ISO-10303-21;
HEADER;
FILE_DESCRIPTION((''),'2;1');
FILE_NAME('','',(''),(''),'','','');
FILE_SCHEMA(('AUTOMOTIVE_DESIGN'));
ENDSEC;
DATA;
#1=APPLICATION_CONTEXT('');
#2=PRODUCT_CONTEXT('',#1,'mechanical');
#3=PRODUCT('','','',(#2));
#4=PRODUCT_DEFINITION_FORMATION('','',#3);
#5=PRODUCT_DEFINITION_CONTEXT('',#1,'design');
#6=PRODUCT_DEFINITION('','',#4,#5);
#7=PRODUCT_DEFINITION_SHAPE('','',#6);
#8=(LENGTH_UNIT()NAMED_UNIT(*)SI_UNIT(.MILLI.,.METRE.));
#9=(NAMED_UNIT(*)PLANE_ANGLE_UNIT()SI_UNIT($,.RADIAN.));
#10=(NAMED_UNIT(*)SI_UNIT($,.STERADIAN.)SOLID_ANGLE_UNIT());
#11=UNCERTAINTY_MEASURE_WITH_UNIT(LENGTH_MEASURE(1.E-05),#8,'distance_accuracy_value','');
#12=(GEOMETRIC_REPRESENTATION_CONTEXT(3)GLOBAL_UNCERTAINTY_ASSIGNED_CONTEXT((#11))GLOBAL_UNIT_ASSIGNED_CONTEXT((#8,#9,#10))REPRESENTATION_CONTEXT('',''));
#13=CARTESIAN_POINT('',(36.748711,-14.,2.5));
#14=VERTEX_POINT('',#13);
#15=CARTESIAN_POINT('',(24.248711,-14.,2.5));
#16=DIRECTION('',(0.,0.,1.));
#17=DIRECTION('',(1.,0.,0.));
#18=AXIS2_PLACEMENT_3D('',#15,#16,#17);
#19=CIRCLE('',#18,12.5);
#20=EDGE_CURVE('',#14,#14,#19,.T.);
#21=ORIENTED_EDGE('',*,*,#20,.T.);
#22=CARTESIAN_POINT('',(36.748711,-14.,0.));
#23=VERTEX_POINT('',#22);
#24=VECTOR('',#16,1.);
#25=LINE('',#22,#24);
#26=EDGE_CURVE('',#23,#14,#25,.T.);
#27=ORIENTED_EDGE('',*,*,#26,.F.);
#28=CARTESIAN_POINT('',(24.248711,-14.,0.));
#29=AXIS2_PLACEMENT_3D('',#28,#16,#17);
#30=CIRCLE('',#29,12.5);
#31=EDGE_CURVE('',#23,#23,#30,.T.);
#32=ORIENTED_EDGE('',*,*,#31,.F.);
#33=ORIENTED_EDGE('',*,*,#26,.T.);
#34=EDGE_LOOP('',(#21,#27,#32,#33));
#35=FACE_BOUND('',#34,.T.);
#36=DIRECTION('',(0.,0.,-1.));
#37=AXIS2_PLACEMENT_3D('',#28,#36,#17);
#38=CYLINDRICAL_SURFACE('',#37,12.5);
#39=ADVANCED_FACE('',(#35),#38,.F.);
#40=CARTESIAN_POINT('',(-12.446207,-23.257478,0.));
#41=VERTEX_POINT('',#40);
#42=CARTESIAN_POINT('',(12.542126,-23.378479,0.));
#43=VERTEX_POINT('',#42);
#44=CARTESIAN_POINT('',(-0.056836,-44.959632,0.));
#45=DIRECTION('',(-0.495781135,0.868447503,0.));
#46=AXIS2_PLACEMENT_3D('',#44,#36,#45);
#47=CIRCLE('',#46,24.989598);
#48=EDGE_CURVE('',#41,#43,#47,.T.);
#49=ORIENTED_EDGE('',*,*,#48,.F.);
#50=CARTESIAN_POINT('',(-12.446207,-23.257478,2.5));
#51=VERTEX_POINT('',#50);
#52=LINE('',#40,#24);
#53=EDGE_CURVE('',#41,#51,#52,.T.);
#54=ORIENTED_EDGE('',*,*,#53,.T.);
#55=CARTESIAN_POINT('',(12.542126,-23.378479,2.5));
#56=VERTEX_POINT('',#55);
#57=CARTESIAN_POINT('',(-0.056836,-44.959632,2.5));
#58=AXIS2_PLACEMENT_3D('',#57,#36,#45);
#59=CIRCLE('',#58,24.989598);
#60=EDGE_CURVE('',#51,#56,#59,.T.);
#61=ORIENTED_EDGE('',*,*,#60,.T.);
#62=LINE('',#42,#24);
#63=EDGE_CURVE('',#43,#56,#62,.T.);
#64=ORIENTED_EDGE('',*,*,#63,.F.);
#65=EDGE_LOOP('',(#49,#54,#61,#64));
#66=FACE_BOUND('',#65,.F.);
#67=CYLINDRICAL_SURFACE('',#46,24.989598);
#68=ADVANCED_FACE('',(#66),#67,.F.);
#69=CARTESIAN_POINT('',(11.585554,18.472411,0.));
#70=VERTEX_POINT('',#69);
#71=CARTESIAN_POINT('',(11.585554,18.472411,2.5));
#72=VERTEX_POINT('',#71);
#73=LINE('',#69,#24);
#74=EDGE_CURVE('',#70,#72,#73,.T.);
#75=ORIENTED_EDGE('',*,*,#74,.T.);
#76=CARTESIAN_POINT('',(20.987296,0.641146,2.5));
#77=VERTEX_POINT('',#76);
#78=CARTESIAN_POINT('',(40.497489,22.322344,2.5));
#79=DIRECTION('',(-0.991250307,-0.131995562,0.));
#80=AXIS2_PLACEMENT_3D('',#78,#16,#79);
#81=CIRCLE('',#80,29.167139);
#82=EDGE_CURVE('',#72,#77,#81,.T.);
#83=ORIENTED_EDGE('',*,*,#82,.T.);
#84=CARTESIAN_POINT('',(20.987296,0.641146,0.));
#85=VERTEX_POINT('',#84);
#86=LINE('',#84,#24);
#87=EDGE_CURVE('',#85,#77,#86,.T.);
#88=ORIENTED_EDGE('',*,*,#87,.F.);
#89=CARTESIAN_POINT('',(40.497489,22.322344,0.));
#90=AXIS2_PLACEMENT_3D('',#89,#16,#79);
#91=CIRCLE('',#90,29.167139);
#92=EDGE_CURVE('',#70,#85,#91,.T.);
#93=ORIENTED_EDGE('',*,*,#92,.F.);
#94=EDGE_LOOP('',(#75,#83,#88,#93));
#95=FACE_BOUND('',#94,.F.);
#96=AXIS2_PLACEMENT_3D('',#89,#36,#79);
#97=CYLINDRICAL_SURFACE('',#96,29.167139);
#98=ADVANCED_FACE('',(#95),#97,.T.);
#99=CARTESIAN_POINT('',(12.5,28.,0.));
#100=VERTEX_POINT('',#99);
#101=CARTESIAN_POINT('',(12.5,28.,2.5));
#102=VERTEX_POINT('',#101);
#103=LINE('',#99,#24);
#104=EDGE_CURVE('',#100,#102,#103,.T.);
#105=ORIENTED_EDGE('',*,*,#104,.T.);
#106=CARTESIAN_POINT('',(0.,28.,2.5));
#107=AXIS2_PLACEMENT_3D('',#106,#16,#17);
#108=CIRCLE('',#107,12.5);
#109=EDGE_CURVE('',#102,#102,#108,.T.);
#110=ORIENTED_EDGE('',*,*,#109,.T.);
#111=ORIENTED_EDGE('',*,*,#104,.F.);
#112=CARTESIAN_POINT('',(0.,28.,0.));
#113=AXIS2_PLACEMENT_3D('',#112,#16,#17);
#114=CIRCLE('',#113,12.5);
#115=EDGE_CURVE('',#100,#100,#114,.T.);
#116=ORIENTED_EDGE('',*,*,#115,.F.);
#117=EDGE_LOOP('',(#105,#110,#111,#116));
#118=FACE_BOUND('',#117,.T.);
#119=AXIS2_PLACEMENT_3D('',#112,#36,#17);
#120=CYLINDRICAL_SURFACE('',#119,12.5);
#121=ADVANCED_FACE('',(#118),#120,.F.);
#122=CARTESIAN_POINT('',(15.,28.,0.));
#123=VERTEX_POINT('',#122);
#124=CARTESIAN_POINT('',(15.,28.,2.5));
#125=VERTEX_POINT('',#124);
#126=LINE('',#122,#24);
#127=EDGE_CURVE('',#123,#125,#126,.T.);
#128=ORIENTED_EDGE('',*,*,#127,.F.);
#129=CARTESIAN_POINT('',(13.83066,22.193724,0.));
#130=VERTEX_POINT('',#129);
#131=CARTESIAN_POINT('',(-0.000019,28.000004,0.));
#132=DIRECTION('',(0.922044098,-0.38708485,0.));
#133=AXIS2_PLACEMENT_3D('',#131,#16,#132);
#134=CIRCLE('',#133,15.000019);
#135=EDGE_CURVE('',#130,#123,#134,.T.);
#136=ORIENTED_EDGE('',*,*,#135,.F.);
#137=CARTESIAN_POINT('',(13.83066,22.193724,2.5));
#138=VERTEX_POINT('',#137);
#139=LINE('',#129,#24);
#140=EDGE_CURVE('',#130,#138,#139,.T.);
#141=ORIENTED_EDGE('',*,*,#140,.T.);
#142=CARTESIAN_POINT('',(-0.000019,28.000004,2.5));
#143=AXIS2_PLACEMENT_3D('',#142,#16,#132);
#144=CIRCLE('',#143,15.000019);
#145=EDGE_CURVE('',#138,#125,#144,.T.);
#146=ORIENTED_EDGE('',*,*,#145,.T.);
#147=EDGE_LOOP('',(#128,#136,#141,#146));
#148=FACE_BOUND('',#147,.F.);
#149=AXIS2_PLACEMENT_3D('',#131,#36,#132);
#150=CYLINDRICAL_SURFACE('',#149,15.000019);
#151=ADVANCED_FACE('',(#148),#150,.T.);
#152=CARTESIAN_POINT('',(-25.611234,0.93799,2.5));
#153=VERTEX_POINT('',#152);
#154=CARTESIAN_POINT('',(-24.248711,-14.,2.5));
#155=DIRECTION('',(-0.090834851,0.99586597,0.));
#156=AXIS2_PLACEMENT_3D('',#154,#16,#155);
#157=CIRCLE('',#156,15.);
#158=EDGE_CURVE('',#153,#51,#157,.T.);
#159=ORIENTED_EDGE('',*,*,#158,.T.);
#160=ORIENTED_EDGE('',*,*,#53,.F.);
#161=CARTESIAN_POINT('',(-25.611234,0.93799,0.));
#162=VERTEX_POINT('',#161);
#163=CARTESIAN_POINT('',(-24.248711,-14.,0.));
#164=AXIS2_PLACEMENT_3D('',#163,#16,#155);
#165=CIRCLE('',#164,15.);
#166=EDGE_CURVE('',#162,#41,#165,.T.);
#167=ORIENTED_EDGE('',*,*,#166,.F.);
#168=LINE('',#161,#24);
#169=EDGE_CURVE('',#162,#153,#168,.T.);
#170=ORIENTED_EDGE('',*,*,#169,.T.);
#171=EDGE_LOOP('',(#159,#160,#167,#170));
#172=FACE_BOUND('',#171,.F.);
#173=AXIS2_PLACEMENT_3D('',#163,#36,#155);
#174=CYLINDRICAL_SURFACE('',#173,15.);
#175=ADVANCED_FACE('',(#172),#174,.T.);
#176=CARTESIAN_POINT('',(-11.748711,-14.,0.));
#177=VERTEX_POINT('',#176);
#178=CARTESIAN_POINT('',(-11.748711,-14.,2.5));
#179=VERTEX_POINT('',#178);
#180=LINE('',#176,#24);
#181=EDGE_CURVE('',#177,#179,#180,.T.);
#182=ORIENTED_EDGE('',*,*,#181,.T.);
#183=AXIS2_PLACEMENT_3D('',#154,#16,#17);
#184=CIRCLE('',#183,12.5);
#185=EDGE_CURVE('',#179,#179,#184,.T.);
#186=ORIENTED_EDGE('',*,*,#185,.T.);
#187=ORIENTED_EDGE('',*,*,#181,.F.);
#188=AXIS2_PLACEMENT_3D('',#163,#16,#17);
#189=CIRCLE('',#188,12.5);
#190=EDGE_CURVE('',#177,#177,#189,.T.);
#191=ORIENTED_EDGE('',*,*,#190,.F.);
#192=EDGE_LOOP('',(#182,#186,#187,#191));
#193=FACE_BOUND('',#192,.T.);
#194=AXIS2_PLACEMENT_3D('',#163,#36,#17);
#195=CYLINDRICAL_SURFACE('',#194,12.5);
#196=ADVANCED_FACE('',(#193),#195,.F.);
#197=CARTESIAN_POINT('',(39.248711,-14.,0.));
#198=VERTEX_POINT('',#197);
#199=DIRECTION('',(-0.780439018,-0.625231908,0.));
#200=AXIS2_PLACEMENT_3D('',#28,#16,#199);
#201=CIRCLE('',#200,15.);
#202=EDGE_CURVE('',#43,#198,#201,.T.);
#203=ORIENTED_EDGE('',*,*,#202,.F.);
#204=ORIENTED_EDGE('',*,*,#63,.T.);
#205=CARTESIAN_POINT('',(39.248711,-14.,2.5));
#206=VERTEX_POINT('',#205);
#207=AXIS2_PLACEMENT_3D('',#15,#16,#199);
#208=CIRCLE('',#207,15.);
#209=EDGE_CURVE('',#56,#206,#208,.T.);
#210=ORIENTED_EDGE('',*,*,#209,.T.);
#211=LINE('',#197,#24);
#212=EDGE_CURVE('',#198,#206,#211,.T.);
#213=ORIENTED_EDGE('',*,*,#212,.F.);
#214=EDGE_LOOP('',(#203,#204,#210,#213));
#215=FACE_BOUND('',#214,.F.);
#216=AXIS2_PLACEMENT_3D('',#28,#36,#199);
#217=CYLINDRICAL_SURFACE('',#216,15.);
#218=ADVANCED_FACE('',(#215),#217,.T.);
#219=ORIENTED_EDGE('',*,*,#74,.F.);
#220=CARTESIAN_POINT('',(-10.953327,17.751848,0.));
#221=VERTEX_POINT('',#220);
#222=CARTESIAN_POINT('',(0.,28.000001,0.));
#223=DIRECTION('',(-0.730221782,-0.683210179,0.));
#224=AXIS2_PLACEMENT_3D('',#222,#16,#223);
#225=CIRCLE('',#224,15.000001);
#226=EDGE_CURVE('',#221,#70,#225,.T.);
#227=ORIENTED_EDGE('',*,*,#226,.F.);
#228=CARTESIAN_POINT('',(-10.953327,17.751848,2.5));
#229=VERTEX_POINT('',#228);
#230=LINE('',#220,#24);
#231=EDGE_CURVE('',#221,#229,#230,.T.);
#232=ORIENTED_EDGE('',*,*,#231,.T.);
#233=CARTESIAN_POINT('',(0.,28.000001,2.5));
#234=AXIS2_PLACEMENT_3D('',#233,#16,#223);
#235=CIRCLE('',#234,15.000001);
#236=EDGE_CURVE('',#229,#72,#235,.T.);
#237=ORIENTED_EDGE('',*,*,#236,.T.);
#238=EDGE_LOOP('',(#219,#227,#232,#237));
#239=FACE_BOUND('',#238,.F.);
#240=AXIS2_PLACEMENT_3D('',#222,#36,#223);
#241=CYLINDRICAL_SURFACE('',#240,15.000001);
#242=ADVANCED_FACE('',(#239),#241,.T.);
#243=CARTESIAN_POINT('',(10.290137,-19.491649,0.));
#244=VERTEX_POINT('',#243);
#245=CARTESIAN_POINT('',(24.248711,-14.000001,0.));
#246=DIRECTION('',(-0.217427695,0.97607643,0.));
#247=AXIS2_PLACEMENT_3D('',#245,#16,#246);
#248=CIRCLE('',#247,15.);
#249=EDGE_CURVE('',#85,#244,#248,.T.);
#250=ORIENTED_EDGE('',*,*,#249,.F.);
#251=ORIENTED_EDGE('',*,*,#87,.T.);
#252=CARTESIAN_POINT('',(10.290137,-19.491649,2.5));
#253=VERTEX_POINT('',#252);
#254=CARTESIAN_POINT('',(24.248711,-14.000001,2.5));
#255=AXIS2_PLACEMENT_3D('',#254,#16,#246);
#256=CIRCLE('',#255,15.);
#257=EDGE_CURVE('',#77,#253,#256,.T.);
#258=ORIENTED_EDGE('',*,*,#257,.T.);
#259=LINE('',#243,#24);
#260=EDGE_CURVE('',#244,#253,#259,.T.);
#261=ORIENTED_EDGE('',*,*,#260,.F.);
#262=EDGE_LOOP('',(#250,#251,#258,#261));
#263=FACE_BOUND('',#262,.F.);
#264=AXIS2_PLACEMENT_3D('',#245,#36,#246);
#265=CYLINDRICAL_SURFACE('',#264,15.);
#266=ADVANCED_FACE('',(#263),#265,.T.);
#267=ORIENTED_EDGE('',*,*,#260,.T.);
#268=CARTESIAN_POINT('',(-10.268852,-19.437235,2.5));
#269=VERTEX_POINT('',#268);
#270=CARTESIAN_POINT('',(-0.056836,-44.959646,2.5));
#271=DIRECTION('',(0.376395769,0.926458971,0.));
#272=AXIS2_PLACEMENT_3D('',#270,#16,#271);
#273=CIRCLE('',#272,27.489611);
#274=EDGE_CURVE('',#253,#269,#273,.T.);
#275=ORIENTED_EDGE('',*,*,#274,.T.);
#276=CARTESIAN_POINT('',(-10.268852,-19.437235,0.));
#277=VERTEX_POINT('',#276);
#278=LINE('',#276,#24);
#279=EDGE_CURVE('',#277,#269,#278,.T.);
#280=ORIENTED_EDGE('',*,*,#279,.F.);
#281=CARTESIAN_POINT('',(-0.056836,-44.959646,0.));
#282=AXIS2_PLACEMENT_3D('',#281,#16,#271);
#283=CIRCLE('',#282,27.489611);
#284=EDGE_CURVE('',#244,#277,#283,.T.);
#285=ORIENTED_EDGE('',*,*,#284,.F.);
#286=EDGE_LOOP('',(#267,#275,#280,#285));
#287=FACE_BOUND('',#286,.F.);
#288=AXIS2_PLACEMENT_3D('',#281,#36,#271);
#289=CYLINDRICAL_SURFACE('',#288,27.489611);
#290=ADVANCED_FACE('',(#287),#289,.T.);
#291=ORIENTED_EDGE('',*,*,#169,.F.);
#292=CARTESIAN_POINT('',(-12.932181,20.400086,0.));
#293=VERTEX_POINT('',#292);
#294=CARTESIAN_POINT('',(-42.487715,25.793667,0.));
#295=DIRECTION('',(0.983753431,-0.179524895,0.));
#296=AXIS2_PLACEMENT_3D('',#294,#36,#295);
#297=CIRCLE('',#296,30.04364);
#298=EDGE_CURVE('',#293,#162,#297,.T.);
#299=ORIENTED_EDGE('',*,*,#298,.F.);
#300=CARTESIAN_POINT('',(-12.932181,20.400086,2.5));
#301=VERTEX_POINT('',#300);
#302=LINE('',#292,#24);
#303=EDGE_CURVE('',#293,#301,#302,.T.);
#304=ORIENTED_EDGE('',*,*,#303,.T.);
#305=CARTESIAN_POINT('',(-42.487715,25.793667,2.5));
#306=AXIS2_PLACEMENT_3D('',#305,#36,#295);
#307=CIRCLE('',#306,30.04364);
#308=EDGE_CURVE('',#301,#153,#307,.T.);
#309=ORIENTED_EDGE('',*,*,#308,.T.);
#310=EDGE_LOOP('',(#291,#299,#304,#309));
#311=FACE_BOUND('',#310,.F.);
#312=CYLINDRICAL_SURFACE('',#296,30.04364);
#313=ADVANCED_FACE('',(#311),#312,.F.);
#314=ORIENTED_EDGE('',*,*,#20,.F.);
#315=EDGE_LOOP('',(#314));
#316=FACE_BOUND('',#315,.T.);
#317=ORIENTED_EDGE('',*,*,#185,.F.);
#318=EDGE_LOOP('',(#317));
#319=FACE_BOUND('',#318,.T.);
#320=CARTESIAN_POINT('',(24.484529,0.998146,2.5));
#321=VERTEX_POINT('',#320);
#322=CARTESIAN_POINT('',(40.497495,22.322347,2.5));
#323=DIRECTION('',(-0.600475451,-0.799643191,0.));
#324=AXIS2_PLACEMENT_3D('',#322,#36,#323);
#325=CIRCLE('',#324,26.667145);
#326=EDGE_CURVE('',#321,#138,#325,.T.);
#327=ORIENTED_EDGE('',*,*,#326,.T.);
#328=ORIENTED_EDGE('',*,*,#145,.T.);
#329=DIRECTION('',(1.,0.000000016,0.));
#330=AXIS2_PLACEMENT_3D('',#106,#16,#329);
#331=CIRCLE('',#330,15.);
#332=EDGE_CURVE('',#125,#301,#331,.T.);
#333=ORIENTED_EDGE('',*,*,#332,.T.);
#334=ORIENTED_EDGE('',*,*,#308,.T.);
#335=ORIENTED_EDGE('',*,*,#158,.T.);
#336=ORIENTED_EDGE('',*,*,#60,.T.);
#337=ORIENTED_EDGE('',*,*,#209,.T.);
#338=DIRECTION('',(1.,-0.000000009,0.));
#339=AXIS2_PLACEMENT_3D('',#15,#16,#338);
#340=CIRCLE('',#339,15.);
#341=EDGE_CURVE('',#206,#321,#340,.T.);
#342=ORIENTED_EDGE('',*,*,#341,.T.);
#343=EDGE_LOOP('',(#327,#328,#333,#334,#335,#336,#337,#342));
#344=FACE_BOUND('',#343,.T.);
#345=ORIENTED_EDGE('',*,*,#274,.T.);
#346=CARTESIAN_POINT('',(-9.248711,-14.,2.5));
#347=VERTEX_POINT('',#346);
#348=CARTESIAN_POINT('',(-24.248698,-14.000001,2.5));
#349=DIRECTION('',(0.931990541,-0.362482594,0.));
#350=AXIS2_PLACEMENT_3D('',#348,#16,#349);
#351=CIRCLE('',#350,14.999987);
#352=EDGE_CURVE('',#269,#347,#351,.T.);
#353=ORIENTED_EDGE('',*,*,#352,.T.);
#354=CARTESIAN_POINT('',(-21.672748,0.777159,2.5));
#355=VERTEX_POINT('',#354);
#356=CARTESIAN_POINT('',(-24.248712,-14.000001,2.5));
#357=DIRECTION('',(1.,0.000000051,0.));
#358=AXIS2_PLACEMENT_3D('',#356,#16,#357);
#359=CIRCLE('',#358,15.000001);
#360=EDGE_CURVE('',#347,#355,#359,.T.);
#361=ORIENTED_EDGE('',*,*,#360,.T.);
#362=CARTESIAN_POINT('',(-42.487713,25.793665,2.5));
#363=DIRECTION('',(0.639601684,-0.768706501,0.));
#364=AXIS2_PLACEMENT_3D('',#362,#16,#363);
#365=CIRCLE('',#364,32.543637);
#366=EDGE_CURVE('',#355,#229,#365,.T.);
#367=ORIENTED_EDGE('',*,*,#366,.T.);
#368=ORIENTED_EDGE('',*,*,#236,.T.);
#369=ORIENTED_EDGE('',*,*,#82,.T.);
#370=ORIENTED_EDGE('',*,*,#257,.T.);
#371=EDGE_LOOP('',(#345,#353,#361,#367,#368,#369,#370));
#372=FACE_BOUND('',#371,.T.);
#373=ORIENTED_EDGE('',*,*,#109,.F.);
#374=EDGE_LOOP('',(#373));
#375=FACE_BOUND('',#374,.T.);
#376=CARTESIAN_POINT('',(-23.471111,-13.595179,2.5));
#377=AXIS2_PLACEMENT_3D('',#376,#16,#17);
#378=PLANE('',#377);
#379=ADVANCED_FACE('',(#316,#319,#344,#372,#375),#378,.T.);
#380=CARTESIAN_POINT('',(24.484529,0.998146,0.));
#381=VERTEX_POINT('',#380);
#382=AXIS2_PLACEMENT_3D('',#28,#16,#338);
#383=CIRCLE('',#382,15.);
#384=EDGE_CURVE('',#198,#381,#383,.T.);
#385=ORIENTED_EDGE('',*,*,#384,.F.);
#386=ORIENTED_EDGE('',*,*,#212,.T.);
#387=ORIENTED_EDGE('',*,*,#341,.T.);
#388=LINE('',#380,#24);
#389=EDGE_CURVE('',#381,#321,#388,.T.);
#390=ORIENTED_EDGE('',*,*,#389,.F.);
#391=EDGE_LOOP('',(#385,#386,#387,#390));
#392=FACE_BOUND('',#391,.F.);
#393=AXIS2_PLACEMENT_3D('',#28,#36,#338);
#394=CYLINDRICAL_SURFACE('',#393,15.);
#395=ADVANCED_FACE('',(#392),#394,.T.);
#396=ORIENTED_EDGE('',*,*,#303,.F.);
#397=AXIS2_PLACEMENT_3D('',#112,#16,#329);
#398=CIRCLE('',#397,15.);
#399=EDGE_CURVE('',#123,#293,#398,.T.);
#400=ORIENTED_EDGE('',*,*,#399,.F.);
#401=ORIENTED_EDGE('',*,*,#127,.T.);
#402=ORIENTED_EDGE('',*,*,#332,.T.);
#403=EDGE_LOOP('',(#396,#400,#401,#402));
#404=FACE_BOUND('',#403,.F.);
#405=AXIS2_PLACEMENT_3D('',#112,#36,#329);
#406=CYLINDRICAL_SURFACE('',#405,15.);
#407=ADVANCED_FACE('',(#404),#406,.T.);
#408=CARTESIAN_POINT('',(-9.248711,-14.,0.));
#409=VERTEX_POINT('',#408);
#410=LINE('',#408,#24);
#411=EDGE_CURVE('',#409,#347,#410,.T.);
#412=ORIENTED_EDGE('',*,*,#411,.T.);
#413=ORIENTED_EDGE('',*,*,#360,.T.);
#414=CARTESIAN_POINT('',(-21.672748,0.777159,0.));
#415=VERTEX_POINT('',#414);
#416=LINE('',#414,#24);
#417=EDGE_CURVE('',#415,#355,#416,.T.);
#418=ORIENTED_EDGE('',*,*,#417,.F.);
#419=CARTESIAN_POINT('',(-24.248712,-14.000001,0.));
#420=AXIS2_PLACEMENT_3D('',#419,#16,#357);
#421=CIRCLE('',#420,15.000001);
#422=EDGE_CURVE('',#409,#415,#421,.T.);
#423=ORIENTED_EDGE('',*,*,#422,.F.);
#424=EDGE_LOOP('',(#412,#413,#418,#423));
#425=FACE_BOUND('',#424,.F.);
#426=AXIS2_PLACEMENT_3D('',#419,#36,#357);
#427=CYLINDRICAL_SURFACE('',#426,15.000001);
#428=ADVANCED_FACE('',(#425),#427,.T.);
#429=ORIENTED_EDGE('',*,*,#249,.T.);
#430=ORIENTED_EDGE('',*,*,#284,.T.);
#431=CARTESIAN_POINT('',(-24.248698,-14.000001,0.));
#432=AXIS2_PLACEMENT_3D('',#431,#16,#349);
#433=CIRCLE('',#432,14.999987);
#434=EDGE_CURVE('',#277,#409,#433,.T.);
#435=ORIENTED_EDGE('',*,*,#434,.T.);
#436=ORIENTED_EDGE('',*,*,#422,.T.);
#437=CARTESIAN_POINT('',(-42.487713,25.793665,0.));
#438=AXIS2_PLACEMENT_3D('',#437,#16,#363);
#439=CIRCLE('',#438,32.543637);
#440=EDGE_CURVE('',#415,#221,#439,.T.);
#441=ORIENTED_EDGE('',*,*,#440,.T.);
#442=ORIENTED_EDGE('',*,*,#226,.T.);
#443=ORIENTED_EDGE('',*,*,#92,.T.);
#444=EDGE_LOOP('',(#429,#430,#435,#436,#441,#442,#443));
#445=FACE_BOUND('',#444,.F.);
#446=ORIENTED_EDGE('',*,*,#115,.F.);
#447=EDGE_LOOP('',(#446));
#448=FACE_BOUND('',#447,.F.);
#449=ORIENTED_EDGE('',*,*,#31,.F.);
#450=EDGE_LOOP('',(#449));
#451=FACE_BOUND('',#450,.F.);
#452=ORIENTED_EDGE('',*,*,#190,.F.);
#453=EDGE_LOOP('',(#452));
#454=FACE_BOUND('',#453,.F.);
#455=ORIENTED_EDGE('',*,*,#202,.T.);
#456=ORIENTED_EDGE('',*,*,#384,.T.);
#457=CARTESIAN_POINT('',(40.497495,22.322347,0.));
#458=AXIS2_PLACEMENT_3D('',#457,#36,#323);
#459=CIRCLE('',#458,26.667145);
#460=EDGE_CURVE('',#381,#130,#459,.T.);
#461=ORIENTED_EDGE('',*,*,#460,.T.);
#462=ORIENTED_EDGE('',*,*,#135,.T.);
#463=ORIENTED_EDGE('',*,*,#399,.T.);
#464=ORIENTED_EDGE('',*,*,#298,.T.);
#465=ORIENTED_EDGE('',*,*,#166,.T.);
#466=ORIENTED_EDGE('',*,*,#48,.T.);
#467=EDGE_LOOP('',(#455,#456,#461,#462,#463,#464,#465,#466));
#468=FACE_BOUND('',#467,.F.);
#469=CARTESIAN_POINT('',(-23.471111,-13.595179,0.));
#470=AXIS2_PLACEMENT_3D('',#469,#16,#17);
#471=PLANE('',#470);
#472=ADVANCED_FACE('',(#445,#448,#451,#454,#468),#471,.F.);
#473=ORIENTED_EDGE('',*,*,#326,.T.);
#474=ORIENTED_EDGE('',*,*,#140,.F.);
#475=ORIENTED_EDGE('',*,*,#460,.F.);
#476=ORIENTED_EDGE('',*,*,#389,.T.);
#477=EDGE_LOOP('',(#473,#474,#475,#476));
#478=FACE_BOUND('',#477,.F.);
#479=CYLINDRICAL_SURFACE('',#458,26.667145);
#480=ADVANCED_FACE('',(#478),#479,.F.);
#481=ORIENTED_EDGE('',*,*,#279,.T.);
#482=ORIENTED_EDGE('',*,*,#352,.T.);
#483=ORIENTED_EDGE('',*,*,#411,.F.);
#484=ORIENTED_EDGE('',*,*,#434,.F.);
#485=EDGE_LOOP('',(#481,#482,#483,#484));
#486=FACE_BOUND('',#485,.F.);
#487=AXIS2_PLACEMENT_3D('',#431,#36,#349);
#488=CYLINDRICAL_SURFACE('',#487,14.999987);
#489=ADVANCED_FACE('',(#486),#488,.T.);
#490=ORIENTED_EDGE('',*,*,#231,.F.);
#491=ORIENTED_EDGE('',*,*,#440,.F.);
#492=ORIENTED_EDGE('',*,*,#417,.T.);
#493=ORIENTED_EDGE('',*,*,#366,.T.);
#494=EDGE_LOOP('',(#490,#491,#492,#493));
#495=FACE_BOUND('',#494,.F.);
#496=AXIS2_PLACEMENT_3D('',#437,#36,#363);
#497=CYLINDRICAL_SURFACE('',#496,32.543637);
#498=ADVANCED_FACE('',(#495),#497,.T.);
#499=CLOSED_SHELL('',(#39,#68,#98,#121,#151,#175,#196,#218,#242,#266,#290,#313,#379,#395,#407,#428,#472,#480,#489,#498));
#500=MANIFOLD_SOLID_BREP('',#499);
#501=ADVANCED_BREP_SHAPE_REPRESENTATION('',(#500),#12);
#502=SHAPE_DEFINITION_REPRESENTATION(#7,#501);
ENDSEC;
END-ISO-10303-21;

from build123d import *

# Parameters (mm, degrees)
F0_R     = 12.5
F1_DEPTH = 2.5


with BuildPart() as f1:
    # F0 (on Top) → F1 (new body)
    with BuildSketch(Plane.XY):
        with BuildLine():
            ThreePointArc((-10.268852, -19.437235), (-9.505952, -16.766054), (-9.248711, -14))
            ThreePointArc((-9.248711, -14), (-12.767434, -4.347007), (-21.672748, 0.777159))
            ThreePointArc((-21.672748, 0.777159), (-23.636685, 0.987509), (-25.611234, 0.93799))
            ThreePointArc((-25.611234, 0.93799), (-37.424578, -21.169138), (-12.446207, -23.257478))
            ThreePointArc((-12.446207, -23.257478), (-11.216784, -21.427575), (-10.268852, -19.437235))
        make_face()
        with Locations((-24.248711, -14)):
            Circle(F0_R, mode=Mode.SUBTRACT)
        with BuildLine():
            ThreePointArc((-12.932181, 20.400086), (-12.015934, 19.021285), (-10.953327, 17.751848))
            ThreePointArc((-10.953327, 17.751848), (0.479302, 13.00766), (11.585554, 18.472411))
            ThreePointArc((11.585554, 18.472411), (12.843599, 20.251324), (13.83066, 22.193724))
            ThreePointArc((13.83066, 22.193724), (14.704759, 25.038573), (15, 28))
            ThreePointArc((15, 28), (-3.938101, 42.473816), (-12.932181, 20.400086))
        make_face()
        with Locations((0, 28)):
            Circle(F0_R, mode=Mode.SUBTRACT)
        with BuildLine():
            ThreePointArc((20.987296, 0.641146), (11.002415, -6.961845), (10.290137, -19.491649))
            ThreePointArc((10.290137, -19.491649), (11.269807, -21.519843), (12.542126, -23.378479))
            ThreePointArc((12.542126, -23.378479), (29.218682, -28.152717), (39.248711, -14))
            ThreePointArc((39.248711, -14), (34.938362, -3.477103), (24.484529, 0.998146))
            ThreePointArc((24.484529, 0.998146), (22.725418, 0.922452), (20.987296, 0.641146))
        make_face()
        with Locations((24.248711, -14)):
            Circle(F0_R, mode=Mode.SUBTRACT)
        with BuildLine():
            ThreePointArc((13.83066, 22.193724), (12.843599, 20.251324), (11.585554, 18.472411))
            ThreePointArc((11.585554, 18.472411), (14.697021, 8.718748), (20.987296, 0.641146))
            ThreePointArc((20.987296, 0.641146), (22.725418, 0.922452), (24.484529, 0.998146))
            ThreePointArc((24.484529, 0.998146), (16.670945, 10.346031), (13.83066, 22.193724))
        make_face()
        with BuildLine():
            ThreePointArc((10.290137, -19.491649), (0.015921, -17.470131), (-10.268852, -19.437235))
            ThreePointArc((-10.268852, -19.437235), (-11.216784, -21.427575), (-12.446207, -23.257478))
            ThreePointArc((-12.446207, -23.257478), (0.06417, -19.970327), (12.542126, -23.378479))
            ThreePointArc((12.542126, -23.378479), (11.269807, -21.519843), (10.290137, -19.491649))
        make_face()
        with BuildLine():
            ThreePointArc((-25.611234, 0.93799), (-23.636685, 0.987509), (-21.672748, 0.777159))
            ThreePointArc((-21.672748, 0.777159), (-14.971379, 8.417253), (-10.953327, 17.751848))
            ThreePointArc((-10.953327, 17.751848), (-12.015934, 19.021285), (-12.932181, 20.400086))
            ThreePointArc((-12.932181, 20.400086), (-17.314787, 9.394155), (-25.611234, 0.93799))
        make_face()
    extrude(amount=F1_DEPTH)


solid = f1.part
